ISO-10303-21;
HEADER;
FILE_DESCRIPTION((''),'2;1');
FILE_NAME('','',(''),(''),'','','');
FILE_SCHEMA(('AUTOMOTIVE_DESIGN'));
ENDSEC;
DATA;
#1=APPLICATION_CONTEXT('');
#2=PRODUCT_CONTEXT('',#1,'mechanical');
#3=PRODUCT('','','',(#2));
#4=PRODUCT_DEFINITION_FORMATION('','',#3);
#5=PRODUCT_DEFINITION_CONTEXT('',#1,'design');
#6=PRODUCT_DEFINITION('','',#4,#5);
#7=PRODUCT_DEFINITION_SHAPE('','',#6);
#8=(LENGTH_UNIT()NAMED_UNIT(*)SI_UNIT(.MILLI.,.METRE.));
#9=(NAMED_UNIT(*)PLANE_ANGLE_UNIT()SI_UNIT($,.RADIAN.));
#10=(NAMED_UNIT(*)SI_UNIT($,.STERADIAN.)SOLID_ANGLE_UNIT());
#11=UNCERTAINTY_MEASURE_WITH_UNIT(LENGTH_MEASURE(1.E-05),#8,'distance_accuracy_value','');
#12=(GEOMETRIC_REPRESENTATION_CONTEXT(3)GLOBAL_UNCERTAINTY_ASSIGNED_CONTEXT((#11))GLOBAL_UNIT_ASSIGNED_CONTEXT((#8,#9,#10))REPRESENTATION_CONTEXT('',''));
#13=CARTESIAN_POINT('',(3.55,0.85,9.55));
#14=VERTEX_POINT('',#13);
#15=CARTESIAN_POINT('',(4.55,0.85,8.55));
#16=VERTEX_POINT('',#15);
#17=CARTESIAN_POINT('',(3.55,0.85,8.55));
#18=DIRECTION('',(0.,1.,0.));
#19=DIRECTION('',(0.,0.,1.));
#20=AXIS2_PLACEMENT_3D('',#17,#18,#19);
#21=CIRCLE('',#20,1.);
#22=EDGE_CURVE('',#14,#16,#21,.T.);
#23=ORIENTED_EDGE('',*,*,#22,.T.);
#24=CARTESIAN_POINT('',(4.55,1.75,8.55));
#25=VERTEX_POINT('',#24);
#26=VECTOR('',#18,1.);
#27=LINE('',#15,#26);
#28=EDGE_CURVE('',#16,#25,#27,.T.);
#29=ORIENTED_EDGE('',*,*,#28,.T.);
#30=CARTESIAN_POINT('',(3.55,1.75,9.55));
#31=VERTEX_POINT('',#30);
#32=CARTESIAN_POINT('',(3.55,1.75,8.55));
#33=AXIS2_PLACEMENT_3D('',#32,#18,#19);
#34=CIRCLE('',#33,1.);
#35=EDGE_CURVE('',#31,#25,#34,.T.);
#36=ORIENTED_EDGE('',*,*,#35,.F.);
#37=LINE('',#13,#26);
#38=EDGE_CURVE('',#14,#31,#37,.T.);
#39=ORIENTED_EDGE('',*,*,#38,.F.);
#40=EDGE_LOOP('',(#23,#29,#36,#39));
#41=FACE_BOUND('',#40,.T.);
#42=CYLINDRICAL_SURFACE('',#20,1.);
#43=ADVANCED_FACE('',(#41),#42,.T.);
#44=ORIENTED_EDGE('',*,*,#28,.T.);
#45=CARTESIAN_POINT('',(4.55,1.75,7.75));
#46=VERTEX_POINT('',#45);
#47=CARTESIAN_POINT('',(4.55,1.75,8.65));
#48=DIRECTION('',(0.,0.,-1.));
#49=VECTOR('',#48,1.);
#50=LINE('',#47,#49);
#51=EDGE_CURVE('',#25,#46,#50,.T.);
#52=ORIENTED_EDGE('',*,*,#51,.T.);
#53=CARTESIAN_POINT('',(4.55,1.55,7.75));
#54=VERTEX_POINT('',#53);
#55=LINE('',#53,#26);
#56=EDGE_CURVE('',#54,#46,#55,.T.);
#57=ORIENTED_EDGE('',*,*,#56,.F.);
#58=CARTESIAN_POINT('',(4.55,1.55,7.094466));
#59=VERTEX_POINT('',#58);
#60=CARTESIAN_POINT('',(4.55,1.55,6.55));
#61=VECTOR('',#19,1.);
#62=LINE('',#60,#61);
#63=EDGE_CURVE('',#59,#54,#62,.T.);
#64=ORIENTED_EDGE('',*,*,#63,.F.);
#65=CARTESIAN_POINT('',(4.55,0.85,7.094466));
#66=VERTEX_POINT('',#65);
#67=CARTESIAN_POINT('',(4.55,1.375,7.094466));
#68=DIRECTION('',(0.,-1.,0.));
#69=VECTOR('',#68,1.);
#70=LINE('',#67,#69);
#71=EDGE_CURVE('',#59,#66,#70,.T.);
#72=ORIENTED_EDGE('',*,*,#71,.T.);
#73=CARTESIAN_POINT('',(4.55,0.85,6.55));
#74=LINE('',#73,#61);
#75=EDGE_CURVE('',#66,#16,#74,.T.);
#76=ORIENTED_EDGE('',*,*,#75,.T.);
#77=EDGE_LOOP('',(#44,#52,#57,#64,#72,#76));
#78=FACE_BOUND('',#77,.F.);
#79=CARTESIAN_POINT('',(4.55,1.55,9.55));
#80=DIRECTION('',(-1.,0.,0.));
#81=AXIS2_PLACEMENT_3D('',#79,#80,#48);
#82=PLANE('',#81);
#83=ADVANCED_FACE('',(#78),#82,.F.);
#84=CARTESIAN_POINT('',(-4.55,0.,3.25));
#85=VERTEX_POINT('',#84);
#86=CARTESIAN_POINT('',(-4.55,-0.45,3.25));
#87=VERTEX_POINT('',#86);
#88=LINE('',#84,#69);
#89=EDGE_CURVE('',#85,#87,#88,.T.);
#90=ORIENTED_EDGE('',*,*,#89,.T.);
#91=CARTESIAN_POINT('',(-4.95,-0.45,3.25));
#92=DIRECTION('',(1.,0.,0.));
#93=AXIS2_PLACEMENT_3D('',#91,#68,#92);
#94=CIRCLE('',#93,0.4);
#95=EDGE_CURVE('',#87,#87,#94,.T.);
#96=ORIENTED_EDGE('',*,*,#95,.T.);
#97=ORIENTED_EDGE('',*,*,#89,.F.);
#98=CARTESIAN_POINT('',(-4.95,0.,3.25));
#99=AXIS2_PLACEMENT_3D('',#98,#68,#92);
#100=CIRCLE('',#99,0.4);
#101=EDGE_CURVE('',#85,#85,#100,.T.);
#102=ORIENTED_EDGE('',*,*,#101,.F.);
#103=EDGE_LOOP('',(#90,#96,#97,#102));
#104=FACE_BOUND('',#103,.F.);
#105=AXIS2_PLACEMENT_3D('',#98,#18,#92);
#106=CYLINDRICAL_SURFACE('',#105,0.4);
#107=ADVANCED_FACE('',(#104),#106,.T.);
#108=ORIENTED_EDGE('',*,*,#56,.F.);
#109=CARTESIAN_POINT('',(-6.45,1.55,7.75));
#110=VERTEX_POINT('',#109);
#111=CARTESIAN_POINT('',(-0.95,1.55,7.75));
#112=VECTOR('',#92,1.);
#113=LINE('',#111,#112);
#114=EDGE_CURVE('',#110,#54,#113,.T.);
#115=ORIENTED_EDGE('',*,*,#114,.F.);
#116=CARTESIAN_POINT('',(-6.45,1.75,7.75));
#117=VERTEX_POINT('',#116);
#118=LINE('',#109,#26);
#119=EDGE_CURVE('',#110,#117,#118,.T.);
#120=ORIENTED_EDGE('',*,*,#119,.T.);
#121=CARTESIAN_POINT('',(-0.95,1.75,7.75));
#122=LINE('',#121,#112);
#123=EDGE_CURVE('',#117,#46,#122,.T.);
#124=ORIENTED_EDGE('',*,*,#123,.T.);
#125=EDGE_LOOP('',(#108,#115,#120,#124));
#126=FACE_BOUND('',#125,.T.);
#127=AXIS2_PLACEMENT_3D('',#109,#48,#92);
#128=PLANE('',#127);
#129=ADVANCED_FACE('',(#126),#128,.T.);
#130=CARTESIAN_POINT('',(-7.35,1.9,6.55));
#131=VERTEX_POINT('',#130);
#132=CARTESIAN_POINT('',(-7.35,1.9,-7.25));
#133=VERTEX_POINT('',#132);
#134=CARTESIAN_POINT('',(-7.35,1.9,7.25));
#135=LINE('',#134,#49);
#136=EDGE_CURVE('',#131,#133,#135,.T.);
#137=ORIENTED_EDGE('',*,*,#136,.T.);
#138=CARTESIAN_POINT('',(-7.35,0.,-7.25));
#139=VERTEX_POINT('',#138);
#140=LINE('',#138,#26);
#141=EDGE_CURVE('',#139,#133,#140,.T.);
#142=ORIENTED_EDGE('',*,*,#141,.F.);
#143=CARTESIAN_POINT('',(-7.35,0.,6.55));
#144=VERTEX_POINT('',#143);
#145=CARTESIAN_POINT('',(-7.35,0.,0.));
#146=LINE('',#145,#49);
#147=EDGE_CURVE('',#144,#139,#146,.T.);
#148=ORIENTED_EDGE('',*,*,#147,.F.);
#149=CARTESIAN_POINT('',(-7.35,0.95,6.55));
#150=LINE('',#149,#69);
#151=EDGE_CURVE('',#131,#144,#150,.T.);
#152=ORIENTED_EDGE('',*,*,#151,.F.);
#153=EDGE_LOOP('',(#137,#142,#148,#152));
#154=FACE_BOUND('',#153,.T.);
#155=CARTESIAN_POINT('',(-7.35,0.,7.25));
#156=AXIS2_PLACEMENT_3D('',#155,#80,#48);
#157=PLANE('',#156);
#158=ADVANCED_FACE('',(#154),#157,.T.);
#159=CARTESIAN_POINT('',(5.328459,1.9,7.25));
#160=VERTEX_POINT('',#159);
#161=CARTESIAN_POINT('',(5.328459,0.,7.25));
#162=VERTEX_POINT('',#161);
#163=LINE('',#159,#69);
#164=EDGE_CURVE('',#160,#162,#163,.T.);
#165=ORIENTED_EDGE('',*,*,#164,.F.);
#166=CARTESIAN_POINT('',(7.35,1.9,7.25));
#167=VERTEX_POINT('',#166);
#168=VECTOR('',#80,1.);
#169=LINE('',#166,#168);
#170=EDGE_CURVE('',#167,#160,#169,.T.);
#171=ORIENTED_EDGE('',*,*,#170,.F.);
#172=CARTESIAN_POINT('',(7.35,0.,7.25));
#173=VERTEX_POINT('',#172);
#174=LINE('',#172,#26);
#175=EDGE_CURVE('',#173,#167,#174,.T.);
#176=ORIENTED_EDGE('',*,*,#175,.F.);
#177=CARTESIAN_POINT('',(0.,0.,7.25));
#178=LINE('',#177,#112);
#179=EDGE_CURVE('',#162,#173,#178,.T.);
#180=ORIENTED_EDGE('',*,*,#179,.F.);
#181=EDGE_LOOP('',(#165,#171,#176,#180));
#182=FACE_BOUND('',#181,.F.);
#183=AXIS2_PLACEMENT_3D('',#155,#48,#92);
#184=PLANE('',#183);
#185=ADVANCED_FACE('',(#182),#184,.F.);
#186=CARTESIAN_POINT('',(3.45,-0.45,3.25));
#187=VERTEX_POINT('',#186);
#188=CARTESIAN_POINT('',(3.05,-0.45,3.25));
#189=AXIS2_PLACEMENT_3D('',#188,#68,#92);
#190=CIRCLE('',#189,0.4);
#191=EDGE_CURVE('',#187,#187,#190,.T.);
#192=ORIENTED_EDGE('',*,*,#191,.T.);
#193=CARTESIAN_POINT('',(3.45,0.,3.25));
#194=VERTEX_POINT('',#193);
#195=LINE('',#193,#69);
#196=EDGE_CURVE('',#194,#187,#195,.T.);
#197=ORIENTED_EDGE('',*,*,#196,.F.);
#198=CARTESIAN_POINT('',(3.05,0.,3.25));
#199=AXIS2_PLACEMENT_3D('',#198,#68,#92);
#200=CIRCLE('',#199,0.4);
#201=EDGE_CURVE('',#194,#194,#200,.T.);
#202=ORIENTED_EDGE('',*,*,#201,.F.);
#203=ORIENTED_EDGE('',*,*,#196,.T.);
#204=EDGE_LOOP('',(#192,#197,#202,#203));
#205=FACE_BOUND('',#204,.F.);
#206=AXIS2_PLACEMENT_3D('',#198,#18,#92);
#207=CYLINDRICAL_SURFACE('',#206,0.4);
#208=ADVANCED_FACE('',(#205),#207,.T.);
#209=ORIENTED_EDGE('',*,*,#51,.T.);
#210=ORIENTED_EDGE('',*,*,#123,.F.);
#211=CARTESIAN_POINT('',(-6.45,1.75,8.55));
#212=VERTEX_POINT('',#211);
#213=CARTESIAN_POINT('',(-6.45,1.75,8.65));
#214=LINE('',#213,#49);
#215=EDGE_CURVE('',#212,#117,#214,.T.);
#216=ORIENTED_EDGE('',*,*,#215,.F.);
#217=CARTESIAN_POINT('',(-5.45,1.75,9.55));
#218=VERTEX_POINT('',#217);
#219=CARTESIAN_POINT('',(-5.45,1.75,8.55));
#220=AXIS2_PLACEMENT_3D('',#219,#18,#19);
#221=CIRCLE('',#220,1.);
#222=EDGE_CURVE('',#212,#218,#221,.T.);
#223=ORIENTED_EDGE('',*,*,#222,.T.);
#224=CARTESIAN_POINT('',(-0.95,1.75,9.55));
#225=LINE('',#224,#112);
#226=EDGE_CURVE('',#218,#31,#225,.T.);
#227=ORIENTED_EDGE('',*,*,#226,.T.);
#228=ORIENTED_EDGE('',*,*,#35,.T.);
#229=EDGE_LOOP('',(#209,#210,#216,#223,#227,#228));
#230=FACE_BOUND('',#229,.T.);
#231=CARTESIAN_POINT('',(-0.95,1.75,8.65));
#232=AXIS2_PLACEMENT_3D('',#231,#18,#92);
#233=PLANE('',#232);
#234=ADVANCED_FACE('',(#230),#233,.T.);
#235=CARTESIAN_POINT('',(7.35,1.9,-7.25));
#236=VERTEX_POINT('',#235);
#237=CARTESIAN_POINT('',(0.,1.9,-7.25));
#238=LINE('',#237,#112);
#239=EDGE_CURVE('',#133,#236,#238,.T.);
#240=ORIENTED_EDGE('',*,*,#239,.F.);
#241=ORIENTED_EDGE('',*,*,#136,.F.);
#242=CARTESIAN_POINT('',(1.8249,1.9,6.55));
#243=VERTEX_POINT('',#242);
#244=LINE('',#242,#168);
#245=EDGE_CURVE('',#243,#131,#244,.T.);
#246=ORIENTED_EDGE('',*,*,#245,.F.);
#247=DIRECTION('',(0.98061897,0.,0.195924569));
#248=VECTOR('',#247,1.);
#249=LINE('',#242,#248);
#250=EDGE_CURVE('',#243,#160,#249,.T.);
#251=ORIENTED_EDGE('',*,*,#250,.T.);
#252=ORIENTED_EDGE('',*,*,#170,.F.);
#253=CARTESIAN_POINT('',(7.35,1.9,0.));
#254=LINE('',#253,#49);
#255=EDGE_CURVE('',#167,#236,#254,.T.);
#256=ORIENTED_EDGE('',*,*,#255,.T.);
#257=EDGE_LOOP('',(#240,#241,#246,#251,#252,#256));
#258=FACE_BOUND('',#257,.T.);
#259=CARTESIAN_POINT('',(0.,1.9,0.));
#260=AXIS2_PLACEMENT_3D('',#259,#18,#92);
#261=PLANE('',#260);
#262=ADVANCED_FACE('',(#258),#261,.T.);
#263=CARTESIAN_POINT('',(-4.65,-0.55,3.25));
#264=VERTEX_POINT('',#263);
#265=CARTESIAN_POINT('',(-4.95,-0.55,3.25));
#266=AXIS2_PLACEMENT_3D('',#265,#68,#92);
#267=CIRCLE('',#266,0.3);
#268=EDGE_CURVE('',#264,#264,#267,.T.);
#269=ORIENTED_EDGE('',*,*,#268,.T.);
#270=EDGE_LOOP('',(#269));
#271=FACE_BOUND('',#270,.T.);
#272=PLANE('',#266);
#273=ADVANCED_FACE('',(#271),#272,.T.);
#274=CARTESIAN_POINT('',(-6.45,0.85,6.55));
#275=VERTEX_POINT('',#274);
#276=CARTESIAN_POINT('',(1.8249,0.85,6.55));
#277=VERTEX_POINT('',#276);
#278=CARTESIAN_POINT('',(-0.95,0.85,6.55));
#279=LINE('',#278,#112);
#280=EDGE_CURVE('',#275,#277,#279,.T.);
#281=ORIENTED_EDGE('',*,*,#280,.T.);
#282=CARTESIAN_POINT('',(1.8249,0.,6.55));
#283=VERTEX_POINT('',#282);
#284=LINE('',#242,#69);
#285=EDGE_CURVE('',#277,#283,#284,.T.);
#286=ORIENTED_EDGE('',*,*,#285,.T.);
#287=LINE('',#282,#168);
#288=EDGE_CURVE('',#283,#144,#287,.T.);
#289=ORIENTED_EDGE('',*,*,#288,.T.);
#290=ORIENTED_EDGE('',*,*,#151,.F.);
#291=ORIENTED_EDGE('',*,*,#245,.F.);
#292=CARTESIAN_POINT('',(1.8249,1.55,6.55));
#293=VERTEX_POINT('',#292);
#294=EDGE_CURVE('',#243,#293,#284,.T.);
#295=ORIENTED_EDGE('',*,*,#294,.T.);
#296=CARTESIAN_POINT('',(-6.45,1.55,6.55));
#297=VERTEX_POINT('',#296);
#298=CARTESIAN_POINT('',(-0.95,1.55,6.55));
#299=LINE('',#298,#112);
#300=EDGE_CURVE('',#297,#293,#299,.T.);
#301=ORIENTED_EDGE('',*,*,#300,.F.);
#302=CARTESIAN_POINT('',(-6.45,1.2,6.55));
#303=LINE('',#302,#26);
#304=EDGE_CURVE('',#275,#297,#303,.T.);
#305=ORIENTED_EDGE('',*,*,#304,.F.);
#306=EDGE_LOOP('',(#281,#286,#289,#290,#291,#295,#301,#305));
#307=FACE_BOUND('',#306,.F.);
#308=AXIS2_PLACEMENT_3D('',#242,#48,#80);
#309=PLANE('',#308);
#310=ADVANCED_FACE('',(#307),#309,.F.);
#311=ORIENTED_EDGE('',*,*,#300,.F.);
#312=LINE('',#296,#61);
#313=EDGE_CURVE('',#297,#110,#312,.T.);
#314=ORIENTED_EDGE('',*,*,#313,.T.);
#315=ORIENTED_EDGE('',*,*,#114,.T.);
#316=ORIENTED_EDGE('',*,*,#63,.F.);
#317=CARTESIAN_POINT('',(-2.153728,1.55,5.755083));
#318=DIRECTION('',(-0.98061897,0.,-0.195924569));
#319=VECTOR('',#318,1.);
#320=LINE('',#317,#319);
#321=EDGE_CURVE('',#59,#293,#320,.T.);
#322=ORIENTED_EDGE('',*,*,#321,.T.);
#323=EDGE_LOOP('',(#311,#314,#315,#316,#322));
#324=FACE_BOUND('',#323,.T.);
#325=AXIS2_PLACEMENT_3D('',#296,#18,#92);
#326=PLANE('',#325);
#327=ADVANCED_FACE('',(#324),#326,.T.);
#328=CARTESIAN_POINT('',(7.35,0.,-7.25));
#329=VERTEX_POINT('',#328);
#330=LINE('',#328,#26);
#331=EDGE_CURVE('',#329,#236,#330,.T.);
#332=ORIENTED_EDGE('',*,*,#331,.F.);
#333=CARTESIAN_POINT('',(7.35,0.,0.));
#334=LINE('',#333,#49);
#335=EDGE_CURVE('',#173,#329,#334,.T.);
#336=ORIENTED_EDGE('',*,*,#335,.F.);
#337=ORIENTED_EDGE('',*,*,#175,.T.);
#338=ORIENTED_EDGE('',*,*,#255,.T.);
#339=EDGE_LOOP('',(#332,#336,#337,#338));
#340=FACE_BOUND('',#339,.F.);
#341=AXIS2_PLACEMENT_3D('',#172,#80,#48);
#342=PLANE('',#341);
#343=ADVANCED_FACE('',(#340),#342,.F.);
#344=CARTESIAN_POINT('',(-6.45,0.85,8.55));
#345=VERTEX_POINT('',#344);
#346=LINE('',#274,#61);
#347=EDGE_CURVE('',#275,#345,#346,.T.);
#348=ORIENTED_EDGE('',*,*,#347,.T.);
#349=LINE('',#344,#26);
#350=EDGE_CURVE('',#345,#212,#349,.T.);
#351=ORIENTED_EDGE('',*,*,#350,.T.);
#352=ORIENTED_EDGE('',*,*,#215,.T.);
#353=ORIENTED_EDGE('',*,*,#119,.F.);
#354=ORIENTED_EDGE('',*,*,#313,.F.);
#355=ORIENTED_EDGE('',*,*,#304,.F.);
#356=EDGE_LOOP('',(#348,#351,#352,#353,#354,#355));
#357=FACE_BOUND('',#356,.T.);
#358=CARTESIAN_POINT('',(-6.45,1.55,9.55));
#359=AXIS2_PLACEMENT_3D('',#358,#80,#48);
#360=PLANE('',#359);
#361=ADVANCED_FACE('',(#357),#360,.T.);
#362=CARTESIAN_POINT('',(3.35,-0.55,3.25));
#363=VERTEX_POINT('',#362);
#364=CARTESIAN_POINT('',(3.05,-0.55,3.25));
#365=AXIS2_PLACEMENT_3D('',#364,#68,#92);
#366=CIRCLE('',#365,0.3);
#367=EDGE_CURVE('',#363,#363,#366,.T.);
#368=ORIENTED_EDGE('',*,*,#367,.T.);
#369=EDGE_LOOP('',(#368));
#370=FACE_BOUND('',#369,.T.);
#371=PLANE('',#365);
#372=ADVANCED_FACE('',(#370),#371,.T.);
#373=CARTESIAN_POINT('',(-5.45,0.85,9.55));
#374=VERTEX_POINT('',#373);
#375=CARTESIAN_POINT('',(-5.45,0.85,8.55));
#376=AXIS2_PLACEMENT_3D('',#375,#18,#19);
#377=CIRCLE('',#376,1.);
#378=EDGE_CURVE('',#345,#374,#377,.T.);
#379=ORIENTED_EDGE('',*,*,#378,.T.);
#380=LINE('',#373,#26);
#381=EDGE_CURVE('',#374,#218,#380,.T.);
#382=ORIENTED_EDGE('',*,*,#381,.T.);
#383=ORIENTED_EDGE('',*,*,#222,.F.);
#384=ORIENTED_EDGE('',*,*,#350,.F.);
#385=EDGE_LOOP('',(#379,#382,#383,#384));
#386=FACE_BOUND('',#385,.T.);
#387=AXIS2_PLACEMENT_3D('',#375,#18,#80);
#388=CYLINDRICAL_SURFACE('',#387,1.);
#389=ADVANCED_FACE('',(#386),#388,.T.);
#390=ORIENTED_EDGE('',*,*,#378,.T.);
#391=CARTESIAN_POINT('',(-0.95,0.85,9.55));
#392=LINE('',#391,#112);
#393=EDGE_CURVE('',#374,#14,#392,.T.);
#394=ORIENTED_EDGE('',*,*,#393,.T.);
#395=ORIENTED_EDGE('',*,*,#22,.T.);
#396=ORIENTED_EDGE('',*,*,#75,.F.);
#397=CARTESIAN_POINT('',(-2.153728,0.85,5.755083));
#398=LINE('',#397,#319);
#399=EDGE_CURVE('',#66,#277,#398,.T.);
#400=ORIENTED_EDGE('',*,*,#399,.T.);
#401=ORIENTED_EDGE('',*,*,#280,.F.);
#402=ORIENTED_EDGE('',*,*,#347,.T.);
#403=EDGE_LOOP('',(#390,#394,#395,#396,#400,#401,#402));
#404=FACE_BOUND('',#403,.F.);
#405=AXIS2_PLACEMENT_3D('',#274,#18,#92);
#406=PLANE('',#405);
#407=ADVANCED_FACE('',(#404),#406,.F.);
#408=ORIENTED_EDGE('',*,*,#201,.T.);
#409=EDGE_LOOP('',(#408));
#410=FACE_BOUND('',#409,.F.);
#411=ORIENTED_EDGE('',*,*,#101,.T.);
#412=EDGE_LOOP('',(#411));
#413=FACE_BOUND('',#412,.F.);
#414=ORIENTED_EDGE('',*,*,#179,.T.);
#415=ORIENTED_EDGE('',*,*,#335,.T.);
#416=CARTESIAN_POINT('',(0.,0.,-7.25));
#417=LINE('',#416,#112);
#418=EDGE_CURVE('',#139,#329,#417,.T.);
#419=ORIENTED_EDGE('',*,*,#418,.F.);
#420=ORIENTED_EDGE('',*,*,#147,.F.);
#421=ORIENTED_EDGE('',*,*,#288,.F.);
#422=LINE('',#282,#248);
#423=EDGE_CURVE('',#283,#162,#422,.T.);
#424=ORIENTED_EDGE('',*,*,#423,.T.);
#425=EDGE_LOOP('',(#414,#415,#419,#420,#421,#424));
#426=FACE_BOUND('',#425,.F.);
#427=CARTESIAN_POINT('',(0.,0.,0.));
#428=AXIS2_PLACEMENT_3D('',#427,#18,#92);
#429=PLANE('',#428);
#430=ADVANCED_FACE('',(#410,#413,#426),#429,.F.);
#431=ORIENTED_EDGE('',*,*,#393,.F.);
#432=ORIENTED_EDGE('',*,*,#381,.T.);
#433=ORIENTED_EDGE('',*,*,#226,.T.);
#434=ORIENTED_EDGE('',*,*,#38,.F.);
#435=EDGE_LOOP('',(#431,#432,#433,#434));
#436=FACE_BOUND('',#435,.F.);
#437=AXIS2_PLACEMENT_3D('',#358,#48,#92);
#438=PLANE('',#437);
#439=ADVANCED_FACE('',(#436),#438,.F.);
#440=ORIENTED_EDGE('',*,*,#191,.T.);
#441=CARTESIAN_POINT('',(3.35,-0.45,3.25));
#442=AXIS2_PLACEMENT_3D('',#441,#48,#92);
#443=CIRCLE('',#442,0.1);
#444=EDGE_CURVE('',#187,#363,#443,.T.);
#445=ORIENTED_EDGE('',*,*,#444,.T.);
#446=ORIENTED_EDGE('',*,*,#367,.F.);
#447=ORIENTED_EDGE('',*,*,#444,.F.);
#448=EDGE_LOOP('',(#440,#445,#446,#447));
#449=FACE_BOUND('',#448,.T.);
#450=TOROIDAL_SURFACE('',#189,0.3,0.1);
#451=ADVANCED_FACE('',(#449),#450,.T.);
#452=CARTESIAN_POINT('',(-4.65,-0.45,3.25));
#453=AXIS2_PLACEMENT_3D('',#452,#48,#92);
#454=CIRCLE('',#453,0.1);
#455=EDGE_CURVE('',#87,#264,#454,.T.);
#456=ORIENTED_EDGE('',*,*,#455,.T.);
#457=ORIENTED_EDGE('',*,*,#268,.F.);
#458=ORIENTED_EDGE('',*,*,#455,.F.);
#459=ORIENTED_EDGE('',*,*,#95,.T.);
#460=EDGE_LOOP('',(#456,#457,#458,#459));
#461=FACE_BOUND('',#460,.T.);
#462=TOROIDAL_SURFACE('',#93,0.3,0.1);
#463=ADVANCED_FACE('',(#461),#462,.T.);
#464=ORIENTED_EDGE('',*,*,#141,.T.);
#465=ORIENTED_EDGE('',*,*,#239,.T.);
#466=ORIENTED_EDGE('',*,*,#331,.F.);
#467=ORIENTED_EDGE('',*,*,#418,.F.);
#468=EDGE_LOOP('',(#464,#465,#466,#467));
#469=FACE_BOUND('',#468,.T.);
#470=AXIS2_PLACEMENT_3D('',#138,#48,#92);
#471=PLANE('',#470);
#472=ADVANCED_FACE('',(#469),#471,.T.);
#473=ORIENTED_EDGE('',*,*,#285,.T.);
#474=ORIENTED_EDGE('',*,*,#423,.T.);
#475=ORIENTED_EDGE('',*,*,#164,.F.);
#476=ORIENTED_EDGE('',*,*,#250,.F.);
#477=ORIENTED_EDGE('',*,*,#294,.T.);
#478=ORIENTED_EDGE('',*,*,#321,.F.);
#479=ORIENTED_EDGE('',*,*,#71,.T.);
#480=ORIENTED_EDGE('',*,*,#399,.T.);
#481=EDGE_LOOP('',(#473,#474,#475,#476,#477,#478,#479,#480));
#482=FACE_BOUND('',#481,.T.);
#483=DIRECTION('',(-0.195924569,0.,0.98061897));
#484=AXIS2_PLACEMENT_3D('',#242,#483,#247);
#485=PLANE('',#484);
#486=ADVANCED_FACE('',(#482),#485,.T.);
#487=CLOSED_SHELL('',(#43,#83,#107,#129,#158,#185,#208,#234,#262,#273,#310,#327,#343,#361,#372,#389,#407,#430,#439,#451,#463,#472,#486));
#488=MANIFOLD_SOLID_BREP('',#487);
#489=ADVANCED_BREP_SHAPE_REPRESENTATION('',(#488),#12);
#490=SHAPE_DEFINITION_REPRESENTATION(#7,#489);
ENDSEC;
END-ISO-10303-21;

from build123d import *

# Parameters (mm, degrees)
SKETCH1_W               = 14.7
SKETCH1_H               = 14.5
BOSS_EXTRUDE1_DEPTH     = 1.9
CUT_EXTRUDE1_DEPTH      = 1
CUT_EXTRUDE1_DEPTH_BACK = 1.9
SKETCH3_W               = 11
SKETCH3_H               = 0.7
BOSS_EXTRUDE2_DEPTH     = 3
SKETCH4_W               = 11
SKETCH4_H               = 1.8
BOSS_EXTRUDE3_DEPTH     = 0.2
FILLET1_R               = 1
SKETCH5_R               = 0.4
BOSS_EXTRUDE4_DEPTH     = 0.55
FILLET2_R               = 0.1


with BuildPart() as part:
    # Sketch1 → Boss-Extrude1 (new body)
    with BuildSketch(Plane(origin=(0, 0, 0), x_dir=(1, 0, 0), z_dir=(0, 1, 0))):
        Rectangle(SKETCH1_W, SKETCH1_H)
    extrude(amount=BOSS_EXTRUDE1_DEPTH)

    # Sketch2 → Cut-Extrude1 (cut, two sides)
    with BuildSketch(Plane(origin=(0, 1.9, 0), x_dir=(1, 0, 0), z_dir=(0, 1, 0))) as cut_extrude1_sk:
        Polygon((-57.675178239, -6.55), (-7.35, -6.55), (1.824899914, -6.55), (5.328458875, -7.25), (54.6782833, -17.109938843), (45.259811524, -117.318654275), (-67.093650016, -106.758715432), align=None)
    extrude(amount=CUT_EXTRUDE1_DEPTH, mode=Mode.SUBTRACT)
    extrude(cut_extrude1_sk.sketch, amount=-CUT_EXTRUDE1_DEPTH_BACK, mode=Mode.SUBTRACT)

    # Sketch3 → Boss-Extrude2 (add)
    with BuildSketch(Plane.XY.offset(6.55)):
        with Locations((-0.95, 1.2)):
            Rectangle(SKETCH3_W, SKETCH3_H)
    extrude(amount=BOSS_EXTRUDE2_DEPTH)

    # Sketch4 → Boss-Extrude3 (add)
    with BuildSketch(Plane(origin=(0, 1.55, 0), x_dir=(1, 0, 0), z_dir=(0, 1, 0))):
        with Locations((-0.95, -8.65)):
            Rectangle(SKETCH4_W, SKETCH4_H)
    extrude(amount=BOSS_EXTRUDE3_DEPTH)

    # Fillet1
    fillet1_edges = [part.edges().sort_by_distance(p)[0] for p in [
        (-6.45, 1.3, 9.55),
        (4.55, 1.3, 9.55),
    ]]
    fillet(fillet1_edges, radius=FILLET1_R)

    # Sketch5 → Boss-Extrude4 (add)
    with BuildSketch(Plane.XZ):
        with Locations((-4.95, 3.25)):
            Circle(SKETCH5_R)
        with Locations((3.05, 3.25)):
            Circle(SKETCH5_R)
    extrude(amount=BOSS_EXTRUDE4_DEPTH)

    # Fillet2
    fillet2_edges = [part.edges().sort_by_distance(p)[0] for p in [
        (-5.35, -0.55, 3.25),
        (2.65, -0.55, 3.25),
    ]]
    fillet(fillet2_edges, radius=FILLET2_R)


solid = part.part
